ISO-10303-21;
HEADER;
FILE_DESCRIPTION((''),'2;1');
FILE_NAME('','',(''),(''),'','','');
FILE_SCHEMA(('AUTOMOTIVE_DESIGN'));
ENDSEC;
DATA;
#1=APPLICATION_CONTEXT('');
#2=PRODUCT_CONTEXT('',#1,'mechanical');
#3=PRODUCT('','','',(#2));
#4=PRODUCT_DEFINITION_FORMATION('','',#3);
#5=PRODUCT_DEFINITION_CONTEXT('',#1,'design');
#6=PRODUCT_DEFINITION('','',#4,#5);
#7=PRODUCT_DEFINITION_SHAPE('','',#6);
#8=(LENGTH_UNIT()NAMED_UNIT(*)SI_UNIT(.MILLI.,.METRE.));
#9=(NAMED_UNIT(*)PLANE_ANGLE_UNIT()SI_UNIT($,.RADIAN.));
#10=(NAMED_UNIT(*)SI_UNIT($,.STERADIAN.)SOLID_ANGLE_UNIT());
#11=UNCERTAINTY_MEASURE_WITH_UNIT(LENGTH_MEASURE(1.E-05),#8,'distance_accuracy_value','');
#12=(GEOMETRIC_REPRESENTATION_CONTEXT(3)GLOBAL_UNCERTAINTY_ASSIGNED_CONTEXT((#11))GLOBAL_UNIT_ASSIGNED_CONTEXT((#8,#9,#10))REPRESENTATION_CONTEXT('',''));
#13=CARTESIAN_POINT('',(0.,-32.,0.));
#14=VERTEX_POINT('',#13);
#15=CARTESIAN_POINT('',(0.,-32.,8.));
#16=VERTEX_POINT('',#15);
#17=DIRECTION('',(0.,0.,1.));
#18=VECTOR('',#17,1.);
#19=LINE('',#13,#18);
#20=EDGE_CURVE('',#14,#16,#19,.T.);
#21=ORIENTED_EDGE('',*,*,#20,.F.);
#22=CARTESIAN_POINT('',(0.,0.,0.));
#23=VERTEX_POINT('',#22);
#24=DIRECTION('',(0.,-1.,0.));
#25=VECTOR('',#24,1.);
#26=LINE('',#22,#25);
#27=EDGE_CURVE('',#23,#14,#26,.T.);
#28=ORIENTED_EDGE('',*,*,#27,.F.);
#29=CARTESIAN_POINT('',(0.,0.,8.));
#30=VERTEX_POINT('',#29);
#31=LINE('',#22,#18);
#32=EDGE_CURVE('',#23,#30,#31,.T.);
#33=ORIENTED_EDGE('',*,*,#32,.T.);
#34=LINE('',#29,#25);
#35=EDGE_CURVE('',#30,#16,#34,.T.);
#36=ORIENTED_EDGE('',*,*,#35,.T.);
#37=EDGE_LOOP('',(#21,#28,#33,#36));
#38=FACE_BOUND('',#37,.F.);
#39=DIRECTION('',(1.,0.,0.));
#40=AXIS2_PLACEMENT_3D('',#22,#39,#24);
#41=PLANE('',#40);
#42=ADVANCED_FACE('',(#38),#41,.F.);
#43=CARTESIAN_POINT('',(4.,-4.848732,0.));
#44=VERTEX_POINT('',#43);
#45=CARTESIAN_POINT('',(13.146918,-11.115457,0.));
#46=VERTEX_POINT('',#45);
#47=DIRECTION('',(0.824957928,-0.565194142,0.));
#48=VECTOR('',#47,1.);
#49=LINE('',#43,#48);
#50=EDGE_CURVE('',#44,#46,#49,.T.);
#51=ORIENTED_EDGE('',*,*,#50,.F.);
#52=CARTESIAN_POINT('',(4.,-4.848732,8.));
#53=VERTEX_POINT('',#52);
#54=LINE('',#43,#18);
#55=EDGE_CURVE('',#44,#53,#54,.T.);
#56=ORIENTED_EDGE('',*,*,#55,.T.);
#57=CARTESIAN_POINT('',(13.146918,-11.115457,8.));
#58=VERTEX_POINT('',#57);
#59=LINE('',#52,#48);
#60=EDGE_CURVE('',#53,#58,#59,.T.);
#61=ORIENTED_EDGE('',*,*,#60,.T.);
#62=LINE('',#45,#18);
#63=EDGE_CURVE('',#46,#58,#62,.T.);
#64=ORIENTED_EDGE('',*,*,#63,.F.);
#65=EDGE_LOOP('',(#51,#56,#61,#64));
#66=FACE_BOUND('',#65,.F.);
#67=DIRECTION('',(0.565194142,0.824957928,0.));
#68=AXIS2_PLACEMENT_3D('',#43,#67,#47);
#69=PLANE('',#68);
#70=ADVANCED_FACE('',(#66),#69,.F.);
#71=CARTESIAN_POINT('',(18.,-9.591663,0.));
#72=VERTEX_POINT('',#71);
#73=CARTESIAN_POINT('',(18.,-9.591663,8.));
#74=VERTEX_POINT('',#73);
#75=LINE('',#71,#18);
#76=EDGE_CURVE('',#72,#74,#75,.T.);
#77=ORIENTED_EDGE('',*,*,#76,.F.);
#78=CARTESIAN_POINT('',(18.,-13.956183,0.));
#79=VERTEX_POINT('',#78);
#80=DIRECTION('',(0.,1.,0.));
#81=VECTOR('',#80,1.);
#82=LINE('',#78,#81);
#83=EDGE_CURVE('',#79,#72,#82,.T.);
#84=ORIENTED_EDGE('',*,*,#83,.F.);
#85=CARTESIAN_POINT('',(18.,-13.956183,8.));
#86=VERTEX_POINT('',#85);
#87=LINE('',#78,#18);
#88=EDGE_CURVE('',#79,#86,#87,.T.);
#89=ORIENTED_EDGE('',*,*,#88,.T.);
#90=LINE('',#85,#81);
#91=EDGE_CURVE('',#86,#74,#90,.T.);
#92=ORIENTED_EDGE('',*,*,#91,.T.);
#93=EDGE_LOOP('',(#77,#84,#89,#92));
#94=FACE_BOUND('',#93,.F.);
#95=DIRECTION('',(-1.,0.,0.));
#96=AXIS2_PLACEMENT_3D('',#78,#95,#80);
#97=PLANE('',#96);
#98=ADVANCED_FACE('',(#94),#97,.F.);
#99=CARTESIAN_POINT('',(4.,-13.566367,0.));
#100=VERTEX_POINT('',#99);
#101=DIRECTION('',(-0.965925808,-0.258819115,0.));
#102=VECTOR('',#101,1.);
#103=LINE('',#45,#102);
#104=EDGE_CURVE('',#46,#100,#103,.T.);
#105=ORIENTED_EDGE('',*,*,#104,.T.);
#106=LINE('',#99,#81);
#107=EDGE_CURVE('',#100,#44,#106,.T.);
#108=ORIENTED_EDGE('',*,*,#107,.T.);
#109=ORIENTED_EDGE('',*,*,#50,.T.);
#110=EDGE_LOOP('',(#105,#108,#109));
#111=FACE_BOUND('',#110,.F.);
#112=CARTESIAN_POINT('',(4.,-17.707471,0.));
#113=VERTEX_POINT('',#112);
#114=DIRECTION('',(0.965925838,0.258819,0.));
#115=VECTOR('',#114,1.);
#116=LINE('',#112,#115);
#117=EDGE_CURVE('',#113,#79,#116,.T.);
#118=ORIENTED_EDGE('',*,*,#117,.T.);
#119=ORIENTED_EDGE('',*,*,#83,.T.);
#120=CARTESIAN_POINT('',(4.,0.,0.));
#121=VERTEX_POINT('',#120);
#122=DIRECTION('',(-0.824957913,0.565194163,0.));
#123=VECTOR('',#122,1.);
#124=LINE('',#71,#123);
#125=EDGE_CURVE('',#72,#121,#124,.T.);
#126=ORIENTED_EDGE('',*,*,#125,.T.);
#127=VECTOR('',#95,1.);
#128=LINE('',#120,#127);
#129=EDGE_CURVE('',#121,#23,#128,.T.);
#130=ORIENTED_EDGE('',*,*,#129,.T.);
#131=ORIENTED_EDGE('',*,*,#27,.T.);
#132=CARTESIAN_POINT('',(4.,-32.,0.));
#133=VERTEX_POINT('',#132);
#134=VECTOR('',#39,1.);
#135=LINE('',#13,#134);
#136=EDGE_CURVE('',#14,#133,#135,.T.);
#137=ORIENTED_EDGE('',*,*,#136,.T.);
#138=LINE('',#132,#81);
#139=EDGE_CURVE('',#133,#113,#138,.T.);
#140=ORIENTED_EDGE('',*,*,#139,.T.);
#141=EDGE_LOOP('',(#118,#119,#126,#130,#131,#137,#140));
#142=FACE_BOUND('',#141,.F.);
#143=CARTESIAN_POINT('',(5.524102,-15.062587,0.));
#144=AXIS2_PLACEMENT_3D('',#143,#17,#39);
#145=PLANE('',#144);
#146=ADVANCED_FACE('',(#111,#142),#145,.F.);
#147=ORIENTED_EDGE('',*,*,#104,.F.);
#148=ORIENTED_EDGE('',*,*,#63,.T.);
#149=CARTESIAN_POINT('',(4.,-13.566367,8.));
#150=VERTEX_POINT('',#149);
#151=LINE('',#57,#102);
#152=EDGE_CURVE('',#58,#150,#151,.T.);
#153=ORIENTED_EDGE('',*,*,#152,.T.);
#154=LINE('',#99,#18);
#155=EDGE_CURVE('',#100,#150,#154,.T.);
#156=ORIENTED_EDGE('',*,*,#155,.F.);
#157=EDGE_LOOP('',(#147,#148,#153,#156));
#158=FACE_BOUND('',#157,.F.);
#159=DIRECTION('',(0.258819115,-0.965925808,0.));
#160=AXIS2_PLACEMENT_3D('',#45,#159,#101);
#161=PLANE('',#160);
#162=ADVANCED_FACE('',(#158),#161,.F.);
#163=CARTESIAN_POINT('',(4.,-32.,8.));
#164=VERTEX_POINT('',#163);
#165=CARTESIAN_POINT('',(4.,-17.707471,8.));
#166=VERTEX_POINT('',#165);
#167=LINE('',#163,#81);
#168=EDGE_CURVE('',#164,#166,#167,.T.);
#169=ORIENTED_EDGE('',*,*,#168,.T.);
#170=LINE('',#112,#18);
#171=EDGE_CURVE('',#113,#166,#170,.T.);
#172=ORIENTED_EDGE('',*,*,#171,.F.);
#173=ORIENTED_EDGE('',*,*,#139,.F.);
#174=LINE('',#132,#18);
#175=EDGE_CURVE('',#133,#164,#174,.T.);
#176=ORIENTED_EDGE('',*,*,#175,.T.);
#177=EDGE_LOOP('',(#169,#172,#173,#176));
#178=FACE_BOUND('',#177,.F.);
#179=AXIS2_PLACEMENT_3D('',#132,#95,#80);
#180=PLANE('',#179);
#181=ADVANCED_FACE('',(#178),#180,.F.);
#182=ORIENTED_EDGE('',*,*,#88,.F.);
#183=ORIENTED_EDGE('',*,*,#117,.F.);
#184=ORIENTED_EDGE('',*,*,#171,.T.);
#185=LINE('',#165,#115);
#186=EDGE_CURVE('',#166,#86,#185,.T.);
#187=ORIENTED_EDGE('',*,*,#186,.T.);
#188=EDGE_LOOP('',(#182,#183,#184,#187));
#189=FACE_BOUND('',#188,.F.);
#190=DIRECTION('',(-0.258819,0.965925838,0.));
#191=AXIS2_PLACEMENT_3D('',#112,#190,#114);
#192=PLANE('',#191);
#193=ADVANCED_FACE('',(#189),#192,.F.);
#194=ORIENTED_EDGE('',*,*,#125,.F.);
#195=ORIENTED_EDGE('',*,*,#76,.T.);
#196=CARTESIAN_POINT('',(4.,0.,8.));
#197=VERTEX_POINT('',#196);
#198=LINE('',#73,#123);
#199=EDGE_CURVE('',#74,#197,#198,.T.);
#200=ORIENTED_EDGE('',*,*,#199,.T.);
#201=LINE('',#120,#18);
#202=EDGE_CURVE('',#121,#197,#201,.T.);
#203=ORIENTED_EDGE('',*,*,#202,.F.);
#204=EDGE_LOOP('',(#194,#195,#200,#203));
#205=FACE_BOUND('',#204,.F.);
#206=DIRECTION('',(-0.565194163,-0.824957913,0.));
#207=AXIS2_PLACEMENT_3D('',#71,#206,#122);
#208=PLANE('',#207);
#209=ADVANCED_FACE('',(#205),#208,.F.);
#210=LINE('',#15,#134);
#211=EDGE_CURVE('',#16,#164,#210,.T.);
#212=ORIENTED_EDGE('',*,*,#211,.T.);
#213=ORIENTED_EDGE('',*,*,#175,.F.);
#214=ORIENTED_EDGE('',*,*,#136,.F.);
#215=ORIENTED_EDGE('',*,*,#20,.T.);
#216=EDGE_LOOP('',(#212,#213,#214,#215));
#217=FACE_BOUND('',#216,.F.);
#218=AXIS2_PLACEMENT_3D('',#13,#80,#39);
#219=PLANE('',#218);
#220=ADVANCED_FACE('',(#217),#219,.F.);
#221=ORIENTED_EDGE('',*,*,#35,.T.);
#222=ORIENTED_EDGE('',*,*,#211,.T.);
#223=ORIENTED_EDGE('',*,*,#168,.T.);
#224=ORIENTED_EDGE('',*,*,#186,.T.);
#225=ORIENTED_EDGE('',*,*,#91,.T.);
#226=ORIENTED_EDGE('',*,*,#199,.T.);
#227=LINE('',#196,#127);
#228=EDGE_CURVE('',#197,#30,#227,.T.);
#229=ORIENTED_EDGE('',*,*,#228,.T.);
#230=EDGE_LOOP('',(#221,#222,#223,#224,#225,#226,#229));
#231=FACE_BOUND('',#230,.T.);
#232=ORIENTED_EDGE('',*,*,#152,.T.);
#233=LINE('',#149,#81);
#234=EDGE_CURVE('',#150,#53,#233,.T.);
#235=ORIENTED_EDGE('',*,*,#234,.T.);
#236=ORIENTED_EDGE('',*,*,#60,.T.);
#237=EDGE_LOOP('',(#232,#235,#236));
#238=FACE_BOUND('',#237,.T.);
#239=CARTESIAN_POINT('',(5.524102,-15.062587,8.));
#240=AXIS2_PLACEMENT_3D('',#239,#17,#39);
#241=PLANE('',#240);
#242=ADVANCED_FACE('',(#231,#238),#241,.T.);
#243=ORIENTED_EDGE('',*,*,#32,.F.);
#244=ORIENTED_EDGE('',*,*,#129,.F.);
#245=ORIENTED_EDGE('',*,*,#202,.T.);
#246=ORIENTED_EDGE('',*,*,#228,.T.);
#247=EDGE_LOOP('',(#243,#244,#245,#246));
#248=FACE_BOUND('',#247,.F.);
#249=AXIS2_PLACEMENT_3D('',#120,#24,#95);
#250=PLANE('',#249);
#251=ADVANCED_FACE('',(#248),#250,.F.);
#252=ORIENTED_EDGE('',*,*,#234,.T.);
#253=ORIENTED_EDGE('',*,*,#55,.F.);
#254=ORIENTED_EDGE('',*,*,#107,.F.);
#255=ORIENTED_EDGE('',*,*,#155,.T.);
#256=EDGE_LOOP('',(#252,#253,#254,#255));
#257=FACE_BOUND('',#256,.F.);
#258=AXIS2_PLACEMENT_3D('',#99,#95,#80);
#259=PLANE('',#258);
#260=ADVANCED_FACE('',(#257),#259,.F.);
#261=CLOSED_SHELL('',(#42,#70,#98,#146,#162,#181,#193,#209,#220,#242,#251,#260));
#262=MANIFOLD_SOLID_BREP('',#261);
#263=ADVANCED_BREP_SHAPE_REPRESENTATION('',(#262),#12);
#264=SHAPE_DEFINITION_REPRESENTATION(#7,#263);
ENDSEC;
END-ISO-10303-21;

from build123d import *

# Parameters (mm, degrees)
F1_DEPTH = 8


with BuildPart() as f1:
    # F0 (on Top) → F1 (new body)
    with BuildSketch(Plane.XY):
        Polygon((4, 0), (0, 0), (0, -32), (4, -32), (4, -22.828427), (4, -17.707471), (18, -13.956183), (18, -9.591663), align=None)
        Polygon((4, -13.566367), (4, -4.848732), (13.146918, -11.115457), align=None, mode=Mode.SUBTRACT)
    extrude(amount=F1_DEPTH)


solid = f1.part
